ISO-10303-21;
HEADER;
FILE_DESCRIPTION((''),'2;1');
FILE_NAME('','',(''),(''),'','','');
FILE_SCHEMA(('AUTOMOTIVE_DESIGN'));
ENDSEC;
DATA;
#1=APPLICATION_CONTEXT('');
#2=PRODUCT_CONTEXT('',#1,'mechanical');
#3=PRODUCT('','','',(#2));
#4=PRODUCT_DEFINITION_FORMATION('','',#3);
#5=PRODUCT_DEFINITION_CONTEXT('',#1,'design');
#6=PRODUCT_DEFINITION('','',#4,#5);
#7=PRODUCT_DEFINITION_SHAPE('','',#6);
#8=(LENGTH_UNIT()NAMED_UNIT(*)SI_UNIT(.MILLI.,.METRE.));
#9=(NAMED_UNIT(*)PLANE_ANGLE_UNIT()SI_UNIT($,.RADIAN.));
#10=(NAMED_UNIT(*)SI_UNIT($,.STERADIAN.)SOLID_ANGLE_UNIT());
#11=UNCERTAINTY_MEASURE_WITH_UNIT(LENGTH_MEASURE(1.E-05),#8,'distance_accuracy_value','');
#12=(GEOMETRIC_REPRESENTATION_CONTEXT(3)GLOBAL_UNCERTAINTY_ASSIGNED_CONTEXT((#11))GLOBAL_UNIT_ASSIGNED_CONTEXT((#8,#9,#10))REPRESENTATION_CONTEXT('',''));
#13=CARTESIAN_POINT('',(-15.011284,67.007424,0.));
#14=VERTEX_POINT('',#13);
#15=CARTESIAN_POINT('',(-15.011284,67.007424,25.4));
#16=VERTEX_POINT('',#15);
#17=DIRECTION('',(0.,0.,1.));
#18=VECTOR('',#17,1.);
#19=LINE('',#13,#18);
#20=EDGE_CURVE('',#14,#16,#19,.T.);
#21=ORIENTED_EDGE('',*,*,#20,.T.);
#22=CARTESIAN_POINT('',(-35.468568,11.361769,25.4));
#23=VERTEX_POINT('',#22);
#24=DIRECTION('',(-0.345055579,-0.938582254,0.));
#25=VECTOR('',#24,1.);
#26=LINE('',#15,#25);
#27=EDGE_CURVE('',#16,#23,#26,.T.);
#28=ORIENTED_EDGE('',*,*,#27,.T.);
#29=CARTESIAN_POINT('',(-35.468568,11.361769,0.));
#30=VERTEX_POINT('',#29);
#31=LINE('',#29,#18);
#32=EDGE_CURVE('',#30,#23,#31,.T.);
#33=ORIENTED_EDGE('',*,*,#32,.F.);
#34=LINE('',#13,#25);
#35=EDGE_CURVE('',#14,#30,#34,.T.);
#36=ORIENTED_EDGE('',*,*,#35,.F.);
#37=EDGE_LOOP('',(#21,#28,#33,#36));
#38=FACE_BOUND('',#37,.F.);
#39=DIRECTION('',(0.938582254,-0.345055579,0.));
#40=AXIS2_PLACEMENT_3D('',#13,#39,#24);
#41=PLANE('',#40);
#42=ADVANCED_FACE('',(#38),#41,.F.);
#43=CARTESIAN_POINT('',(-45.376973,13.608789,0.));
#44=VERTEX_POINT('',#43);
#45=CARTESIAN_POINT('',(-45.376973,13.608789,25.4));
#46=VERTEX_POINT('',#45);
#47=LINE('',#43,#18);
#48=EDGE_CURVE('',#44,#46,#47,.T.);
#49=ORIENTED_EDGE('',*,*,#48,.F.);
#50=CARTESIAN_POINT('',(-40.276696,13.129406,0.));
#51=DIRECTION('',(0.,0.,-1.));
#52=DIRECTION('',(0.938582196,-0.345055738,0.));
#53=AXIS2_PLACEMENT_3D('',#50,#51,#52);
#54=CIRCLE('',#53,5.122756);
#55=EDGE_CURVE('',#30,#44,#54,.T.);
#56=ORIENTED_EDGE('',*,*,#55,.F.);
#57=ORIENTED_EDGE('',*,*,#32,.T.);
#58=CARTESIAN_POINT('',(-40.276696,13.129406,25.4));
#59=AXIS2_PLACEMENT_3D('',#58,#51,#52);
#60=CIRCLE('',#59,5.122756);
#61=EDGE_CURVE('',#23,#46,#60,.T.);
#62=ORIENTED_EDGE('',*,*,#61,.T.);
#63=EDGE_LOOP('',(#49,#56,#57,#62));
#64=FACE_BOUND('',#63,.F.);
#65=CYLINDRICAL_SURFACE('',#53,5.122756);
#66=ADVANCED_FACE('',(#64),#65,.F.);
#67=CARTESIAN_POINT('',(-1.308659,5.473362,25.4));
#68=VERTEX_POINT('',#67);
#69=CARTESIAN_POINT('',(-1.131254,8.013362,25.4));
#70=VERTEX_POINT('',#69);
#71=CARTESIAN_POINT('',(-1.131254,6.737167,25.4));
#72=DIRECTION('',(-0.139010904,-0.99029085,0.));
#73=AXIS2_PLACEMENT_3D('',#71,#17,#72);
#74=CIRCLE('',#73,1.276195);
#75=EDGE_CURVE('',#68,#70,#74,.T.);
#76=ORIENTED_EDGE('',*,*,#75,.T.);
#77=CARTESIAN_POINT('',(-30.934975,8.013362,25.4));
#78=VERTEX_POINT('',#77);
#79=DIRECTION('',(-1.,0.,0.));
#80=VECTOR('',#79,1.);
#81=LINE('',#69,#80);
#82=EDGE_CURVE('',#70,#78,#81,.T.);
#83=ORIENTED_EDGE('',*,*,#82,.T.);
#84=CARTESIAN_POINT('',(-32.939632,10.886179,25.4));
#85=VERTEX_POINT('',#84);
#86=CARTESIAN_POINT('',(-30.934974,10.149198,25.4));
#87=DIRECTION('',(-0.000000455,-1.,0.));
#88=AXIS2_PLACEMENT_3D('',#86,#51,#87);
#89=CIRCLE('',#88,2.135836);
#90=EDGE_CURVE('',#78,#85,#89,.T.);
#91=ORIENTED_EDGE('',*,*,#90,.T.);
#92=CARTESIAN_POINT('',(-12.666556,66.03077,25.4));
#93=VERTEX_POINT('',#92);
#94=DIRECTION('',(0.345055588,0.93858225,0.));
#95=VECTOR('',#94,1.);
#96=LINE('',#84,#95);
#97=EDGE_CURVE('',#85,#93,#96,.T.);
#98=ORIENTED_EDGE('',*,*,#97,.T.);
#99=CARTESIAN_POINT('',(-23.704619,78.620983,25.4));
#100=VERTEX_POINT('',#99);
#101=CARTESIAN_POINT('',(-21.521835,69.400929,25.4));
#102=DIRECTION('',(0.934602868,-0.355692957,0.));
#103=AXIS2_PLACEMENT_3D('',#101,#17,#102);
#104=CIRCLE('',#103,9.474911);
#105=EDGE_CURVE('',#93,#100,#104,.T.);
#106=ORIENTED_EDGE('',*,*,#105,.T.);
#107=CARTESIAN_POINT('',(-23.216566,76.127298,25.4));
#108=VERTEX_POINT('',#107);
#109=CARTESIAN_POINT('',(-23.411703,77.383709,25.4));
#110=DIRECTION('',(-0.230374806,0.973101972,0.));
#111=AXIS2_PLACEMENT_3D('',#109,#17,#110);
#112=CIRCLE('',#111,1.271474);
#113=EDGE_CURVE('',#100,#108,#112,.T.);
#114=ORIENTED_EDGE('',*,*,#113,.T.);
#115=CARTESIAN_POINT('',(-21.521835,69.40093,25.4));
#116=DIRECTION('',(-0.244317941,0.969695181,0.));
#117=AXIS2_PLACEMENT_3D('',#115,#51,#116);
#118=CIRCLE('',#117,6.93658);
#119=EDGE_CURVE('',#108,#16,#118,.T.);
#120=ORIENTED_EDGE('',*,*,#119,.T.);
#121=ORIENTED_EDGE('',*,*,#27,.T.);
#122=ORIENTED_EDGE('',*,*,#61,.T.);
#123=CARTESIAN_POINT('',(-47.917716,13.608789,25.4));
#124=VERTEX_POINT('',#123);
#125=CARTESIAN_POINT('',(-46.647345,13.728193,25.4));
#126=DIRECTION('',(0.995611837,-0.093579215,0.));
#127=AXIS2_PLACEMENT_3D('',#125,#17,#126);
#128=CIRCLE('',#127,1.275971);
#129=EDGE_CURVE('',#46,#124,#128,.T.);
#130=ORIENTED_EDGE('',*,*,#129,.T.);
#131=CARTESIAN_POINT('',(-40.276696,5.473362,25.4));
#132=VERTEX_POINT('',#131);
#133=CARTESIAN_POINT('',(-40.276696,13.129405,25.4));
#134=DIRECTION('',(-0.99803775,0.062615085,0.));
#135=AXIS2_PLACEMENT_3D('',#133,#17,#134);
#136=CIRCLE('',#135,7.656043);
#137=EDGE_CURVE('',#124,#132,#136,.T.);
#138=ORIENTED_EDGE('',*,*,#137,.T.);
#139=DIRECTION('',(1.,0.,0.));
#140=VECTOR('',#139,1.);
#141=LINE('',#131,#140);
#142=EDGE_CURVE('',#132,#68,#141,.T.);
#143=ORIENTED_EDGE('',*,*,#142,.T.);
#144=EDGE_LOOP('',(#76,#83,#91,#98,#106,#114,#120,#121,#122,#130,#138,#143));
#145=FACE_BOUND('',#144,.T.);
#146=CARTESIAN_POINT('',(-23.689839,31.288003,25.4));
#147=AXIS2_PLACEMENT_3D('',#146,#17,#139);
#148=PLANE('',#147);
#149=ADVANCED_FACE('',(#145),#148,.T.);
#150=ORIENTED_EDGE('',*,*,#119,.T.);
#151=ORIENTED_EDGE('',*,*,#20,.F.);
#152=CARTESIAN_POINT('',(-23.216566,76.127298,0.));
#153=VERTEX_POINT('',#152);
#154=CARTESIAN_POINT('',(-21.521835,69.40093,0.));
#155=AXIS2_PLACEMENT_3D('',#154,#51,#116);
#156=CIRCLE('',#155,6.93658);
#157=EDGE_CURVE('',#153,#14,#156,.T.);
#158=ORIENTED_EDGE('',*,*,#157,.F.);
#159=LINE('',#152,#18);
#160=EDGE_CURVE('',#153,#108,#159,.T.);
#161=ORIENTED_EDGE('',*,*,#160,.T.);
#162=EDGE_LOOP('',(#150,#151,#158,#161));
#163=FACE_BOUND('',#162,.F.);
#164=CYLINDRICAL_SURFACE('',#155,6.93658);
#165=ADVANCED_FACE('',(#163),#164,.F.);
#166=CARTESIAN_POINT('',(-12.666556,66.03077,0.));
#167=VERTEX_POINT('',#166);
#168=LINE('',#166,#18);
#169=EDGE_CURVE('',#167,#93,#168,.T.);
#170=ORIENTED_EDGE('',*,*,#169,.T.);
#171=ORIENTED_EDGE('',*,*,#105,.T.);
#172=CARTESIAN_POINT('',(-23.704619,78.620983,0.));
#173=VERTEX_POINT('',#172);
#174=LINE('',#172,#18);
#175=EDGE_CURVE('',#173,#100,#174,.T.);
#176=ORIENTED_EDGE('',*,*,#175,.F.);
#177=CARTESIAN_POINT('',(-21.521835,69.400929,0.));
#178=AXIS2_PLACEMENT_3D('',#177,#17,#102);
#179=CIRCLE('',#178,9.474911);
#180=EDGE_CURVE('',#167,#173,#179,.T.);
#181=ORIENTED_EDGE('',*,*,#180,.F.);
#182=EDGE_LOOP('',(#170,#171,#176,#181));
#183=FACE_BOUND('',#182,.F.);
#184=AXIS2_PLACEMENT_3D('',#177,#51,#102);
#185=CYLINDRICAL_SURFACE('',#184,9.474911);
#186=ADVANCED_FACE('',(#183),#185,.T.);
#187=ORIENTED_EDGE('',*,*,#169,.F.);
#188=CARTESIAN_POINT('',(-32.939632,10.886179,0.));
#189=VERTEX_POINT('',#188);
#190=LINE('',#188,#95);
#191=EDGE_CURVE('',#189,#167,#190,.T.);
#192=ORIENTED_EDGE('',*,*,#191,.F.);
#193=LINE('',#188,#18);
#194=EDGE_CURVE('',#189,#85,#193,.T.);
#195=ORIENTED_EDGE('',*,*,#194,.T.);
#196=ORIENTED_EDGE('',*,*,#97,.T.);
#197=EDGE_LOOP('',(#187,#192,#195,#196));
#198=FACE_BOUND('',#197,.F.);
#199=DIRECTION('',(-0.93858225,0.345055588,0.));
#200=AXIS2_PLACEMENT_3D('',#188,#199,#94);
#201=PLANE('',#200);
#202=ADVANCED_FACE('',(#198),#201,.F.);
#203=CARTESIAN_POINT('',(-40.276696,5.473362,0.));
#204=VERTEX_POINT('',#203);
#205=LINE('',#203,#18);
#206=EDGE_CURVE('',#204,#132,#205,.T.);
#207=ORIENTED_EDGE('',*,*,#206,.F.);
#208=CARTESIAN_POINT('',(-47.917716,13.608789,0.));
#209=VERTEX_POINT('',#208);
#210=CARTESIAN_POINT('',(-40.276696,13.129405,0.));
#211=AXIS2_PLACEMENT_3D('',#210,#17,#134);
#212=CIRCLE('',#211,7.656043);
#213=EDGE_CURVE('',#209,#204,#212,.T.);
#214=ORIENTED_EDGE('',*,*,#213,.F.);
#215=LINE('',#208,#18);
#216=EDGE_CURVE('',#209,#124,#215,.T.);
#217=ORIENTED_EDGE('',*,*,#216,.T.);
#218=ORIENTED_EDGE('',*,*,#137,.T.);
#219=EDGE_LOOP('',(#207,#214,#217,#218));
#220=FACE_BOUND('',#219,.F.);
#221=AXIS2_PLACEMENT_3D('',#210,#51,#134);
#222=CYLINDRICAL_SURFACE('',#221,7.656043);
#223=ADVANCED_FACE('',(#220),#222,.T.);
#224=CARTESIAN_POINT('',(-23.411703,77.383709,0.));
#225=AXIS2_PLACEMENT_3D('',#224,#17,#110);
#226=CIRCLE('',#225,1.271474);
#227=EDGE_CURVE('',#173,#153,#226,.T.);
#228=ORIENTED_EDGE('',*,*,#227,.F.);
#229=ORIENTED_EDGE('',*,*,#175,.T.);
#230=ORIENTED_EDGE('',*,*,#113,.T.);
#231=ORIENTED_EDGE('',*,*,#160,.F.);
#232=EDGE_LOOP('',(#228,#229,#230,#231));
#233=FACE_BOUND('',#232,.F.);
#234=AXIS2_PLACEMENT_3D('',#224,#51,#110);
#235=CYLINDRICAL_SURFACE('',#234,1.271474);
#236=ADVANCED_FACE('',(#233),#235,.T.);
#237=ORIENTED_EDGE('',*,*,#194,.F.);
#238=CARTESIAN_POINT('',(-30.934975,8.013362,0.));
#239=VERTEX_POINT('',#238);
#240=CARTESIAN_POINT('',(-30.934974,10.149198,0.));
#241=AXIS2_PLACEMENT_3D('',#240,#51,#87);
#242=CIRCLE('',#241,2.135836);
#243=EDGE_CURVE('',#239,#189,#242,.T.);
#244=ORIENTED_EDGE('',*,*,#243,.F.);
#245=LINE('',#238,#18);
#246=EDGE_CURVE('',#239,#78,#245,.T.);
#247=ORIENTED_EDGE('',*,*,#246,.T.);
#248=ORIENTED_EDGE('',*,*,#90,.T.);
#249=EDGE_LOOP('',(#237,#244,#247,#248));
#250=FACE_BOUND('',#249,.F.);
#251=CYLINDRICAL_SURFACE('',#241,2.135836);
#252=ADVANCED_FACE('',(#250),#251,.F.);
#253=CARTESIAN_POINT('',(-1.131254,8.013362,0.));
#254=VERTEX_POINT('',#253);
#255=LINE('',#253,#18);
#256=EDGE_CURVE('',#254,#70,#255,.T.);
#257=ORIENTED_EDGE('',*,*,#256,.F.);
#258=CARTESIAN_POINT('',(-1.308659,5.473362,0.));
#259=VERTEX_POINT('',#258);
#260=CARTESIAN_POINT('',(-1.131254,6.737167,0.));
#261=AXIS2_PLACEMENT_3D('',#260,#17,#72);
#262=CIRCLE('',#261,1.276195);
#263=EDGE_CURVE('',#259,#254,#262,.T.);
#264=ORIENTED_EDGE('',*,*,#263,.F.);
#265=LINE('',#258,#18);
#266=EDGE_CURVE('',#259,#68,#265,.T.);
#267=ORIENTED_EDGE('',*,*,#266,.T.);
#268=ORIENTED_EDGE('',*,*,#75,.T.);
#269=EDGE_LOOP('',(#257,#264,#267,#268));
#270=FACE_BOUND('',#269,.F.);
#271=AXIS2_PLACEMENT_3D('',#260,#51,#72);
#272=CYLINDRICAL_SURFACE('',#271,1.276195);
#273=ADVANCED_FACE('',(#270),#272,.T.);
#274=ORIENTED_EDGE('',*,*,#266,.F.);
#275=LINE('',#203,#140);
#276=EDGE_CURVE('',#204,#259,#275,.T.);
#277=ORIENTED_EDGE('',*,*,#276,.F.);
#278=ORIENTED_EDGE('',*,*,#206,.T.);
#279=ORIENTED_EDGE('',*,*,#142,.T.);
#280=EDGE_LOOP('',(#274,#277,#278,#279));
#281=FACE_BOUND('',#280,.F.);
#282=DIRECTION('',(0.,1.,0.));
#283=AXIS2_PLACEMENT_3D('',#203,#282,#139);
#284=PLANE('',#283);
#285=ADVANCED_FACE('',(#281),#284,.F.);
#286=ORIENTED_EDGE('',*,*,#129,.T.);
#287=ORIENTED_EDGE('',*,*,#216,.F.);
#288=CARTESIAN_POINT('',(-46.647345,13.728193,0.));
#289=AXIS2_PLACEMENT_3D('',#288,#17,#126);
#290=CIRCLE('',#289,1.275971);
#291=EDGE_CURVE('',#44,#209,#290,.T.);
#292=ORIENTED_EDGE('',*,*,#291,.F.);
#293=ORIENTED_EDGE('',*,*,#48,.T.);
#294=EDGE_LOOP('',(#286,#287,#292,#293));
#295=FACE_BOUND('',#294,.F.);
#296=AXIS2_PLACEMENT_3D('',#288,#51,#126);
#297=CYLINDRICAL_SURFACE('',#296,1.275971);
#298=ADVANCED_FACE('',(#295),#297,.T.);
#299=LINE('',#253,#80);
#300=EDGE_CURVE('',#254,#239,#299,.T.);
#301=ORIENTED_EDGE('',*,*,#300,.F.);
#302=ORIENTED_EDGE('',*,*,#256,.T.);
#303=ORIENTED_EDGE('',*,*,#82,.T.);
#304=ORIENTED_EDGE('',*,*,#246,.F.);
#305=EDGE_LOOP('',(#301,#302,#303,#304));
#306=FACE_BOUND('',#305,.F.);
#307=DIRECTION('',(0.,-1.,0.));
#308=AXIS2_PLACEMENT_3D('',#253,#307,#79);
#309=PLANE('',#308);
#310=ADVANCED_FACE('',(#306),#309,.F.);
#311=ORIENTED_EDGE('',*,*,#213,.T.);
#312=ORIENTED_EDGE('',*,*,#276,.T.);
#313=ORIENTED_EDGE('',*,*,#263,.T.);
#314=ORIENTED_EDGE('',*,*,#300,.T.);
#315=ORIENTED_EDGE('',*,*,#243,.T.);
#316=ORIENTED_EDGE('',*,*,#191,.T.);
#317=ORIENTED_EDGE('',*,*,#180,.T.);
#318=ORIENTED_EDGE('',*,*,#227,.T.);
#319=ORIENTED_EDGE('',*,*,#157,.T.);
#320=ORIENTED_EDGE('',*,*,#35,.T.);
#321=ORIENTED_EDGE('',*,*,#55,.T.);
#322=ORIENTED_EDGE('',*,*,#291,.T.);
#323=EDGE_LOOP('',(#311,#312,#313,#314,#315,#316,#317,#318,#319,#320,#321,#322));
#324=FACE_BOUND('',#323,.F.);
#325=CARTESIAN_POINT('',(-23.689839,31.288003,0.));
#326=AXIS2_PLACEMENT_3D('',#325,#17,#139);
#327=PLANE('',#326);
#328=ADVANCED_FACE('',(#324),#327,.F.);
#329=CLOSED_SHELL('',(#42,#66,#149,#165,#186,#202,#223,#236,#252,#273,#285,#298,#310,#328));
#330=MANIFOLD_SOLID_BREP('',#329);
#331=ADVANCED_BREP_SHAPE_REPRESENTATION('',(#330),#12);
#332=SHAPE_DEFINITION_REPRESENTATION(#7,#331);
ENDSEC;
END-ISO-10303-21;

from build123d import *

# Parameters (mm, degrees)
F1_DEPTH = 25.4


with BuildPart() as f1:
    # F0 (on Top) → F1 (new body)
    with BuildSketch(Plane.XY):
        with BuildLine():
            ThreePointArc((-47.917716, 13.608789), (-45.857251, 7.887993), (-40.276696, 5.473362))
            Line((-40.276696, 5.473362), (-1.308659, 5.473362))
            ThreePointArc((-1.308659, 5.473362), (0.14184, 6.648248), (-1.131254, 8.013362))
            Line((-1.131254, 8.013362), (-30.934975, 8.013362))
            ThreePointArc((-30.934975, 8.013362), (-32.686526, 8.926962), (-32.939632, 10.886179))
            Line((-32.939632, 10.886179), (-12.666556, 66.03077))
            ThreePointArc((-12.666556, 66.03077), (-14.397306, 75.64713), (-23.704619, 78.620983))
            ThreePointArc((-23.704619, 78.620983), (-24.659504, 77.139495), (-23.216566, 76.127298))
            ThreePointArc((-23.216566, 76.127298), (-16.365183, 74.040443), (-15.011284, 67.007424))
            Line((-15.011284, 67.007424), (-35.468568, 11.361769))
            ThreePointArc((-35.468568, 11.361769), (-41.409662, 8.133505), (-45.376973, 13.608789))
            ThreePointArc((-45.376973, 13.608789), (-46.647345, 15.004164), (-47.917716, 13.608789))
        make_face()
    extrude(amount=F1_DEPTH)


solid = f1.part
